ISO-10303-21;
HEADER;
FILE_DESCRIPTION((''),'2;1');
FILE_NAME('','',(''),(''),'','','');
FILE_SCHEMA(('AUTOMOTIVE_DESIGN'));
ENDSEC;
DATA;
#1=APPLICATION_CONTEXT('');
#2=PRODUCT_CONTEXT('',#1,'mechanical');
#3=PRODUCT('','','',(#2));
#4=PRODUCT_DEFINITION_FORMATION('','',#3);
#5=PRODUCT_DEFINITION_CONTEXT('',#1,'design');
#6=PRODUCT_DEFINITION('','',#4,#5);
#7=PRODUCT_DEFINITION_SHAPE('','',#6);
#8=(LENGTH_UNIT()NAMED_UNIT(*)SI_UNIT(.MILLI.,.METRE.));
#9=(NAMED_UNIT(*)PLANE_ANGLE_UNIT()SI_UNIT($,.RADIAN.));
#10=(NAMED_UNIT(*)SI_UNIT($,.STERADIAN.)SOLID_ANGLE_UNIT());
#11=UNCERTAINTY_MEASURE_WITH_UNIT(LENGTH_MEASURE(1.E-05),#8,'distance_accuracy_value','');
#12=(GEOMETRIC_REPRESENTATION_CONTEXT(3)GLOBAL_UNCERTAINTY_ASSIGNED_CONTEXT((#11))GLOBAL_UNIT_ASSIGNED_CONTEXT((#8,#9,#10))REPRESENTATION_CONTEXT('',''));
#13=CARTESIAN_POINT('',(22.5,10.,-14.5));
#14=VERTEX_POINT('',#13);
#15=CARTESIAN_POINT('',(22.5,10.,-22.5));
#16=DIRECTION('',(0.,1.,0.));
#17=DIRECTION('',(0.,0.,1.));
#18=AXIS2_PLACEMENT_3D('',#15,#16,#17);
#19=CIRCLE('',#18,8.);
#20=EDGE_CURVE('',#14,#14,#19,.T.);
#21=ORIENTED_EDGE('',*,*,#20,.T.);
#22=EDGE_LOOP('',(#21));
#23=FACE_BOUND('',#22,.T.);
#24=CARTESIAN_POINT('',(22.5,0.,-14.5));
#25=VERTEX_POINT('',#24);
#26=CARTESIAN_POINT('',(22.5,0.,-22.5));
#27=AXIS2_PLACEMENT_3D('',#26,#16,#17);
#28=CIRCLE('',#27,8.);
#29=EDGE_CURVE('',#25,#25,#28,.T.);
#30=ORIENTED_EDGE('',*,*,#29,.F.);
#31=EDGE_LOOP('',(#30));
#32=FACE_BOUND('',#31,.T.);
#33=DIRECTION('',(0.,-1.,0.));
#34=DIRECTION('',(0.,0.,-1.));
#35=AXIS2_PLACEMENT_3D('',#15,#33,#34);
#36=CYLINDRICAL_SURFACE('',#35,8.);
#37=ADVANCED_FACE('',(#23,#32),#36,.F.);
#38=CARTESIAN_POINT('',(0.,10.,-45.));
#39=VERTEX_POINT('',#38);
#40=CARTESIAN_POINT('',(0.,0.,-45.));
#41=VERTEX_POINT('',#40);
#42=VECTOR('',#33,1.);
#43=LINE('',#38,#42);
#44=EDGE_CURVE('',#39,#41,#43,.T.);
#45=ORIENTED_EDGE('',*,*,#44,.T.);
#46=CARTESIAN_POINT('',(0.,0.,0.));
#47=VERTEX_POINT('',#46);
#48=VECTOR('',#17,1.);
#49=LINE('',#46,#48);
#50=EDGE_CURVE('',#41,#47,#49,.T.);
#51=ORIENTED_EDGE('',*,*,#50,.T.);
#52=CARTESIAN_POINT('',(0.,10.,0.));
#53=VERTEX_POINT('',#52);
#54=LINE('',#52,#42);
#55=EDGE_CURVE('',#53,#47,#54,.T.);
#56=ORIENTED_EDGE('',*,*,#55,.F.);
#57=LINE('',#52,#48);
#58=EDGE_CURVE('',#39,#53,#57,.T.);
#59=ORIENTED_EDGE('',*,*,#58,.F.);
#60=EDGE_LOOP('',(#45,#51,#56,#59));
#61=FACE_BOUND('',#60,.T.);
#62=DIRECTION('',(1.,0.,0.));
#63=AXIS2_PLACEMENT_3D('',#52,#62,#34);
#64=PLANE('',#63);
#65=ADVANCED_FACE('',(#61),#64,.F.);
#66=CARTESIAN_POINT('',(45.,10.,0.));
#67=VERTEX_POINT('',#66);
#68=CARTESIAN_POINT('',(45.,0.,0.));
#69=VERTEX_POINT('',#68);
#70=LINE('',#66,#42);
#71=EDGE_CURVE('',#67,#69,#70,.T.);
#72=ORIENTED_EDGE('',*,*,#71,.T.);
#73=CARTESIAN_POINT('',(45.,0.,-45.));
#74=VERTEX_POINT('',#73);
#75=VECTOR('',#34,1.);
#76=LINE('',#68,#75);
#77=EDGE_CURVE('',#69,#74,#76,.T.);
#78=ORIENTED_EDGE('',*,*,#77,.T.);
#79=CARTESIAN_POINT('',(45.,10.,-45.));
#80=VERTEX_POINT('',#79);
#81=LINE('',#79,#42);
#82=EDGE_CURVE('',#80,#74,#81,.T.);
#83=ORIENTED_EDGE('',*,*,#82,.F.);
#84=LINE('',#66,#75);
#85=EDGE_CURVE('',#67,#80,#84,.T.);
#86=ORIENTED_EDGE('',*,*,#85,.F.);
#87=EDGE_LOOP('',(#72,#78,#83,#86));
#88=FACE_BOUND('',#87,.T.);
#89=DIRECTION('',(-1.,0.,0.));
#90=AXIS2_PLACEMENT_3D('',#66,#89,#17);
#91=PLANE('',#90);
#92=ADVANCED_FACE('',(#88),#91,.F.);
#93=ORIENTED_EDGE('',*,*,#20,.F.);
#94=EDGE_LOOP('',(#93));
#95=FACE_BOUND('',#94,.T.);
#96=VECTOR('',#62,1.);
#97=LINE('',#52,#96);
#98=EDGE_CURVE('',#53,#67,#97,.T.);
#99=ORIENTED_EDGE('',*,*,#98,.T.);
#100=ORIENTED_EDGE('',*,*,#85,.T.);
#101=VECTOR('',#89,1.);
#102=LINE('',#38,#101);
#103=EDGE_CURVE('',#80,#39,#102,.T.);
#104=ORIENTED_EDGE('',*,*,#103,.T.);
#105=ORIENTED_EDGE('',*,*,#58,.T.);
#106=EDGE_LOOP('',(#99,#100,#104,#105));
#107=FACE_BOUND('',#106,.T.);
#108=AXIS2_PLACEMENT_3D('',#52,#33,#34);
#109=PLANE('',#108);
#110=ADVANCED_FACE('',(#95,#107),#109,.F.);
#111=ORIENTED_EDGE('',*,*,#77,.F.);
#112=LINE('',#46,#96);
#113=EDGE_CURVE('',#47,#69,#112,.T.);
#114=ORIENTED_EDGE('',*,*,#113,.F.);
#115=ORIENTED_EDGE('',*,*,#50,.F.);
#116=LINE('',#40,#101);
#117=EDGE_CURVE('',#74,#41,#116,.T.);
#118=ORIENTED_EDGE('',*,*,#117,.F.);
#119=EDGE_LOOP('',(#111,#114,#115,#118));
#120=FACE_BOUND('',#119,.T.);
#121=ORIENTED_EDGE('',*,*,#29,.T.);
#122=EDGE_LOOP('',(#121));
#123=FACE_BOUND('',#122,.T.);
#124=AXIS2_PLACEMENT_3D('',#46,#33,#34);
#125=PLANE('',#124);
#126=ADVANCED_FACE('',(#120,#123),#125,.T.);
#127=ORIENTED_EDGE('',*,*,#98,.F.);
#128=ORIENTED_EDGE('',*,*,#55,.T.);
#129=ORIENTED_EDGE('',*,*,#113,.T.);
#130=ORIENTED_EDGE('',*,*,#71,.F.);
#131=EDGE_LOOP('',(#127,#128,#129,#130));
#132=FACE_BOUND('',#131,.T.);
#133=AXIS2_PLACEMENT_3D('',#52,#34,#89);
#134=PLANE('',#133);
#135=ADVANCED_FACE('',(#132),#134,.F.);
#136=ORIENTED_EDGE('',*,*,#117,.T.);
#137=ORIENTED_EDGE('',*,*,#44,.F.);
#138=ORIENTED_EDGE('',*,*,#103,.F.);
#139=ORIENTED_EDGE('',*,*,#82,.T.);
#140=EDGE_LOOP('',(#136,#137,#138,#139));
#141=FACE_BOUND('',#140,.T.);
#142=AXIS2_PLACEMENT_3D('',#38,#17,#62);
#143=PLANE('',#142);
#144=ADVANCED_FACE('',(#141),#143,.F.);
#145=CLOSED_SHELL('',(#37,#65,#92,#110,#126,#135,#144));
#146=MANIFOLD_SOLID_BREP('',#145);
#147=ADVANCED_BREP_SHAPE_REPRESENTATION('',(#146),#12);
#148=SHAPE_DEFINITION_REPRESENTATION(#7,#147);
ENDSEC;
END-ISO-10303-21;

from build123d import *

# Parameters (mm, degrees)
SKETCH1_W           = 45
SKETCH1_H           = 45
SKETCH1_R           = 8
BOSS_EXTRUDE1_DEPTH = 10


with BuildPart() as part:
    # Sketch1 → Boss-Extrude1 (new body)
    with BuildSketch(Plane(origin=(0, 0, 0), x_dir=(1, 0, 0), z_dir=(0, 1, 0))):
        with Locations((22.5, 22.5)):
            Rectangle(SKETCH1_W, SKETCH1_H)
        with Locations(Location((22.5, 22.5, 0), (0, 0, 270))):
            Circle(SKETCH1_R, mode=Mode.SUBTRACT)
    extrude(amount=BOSS_EXTRUDE1_DEPTH)


solid = part.part
